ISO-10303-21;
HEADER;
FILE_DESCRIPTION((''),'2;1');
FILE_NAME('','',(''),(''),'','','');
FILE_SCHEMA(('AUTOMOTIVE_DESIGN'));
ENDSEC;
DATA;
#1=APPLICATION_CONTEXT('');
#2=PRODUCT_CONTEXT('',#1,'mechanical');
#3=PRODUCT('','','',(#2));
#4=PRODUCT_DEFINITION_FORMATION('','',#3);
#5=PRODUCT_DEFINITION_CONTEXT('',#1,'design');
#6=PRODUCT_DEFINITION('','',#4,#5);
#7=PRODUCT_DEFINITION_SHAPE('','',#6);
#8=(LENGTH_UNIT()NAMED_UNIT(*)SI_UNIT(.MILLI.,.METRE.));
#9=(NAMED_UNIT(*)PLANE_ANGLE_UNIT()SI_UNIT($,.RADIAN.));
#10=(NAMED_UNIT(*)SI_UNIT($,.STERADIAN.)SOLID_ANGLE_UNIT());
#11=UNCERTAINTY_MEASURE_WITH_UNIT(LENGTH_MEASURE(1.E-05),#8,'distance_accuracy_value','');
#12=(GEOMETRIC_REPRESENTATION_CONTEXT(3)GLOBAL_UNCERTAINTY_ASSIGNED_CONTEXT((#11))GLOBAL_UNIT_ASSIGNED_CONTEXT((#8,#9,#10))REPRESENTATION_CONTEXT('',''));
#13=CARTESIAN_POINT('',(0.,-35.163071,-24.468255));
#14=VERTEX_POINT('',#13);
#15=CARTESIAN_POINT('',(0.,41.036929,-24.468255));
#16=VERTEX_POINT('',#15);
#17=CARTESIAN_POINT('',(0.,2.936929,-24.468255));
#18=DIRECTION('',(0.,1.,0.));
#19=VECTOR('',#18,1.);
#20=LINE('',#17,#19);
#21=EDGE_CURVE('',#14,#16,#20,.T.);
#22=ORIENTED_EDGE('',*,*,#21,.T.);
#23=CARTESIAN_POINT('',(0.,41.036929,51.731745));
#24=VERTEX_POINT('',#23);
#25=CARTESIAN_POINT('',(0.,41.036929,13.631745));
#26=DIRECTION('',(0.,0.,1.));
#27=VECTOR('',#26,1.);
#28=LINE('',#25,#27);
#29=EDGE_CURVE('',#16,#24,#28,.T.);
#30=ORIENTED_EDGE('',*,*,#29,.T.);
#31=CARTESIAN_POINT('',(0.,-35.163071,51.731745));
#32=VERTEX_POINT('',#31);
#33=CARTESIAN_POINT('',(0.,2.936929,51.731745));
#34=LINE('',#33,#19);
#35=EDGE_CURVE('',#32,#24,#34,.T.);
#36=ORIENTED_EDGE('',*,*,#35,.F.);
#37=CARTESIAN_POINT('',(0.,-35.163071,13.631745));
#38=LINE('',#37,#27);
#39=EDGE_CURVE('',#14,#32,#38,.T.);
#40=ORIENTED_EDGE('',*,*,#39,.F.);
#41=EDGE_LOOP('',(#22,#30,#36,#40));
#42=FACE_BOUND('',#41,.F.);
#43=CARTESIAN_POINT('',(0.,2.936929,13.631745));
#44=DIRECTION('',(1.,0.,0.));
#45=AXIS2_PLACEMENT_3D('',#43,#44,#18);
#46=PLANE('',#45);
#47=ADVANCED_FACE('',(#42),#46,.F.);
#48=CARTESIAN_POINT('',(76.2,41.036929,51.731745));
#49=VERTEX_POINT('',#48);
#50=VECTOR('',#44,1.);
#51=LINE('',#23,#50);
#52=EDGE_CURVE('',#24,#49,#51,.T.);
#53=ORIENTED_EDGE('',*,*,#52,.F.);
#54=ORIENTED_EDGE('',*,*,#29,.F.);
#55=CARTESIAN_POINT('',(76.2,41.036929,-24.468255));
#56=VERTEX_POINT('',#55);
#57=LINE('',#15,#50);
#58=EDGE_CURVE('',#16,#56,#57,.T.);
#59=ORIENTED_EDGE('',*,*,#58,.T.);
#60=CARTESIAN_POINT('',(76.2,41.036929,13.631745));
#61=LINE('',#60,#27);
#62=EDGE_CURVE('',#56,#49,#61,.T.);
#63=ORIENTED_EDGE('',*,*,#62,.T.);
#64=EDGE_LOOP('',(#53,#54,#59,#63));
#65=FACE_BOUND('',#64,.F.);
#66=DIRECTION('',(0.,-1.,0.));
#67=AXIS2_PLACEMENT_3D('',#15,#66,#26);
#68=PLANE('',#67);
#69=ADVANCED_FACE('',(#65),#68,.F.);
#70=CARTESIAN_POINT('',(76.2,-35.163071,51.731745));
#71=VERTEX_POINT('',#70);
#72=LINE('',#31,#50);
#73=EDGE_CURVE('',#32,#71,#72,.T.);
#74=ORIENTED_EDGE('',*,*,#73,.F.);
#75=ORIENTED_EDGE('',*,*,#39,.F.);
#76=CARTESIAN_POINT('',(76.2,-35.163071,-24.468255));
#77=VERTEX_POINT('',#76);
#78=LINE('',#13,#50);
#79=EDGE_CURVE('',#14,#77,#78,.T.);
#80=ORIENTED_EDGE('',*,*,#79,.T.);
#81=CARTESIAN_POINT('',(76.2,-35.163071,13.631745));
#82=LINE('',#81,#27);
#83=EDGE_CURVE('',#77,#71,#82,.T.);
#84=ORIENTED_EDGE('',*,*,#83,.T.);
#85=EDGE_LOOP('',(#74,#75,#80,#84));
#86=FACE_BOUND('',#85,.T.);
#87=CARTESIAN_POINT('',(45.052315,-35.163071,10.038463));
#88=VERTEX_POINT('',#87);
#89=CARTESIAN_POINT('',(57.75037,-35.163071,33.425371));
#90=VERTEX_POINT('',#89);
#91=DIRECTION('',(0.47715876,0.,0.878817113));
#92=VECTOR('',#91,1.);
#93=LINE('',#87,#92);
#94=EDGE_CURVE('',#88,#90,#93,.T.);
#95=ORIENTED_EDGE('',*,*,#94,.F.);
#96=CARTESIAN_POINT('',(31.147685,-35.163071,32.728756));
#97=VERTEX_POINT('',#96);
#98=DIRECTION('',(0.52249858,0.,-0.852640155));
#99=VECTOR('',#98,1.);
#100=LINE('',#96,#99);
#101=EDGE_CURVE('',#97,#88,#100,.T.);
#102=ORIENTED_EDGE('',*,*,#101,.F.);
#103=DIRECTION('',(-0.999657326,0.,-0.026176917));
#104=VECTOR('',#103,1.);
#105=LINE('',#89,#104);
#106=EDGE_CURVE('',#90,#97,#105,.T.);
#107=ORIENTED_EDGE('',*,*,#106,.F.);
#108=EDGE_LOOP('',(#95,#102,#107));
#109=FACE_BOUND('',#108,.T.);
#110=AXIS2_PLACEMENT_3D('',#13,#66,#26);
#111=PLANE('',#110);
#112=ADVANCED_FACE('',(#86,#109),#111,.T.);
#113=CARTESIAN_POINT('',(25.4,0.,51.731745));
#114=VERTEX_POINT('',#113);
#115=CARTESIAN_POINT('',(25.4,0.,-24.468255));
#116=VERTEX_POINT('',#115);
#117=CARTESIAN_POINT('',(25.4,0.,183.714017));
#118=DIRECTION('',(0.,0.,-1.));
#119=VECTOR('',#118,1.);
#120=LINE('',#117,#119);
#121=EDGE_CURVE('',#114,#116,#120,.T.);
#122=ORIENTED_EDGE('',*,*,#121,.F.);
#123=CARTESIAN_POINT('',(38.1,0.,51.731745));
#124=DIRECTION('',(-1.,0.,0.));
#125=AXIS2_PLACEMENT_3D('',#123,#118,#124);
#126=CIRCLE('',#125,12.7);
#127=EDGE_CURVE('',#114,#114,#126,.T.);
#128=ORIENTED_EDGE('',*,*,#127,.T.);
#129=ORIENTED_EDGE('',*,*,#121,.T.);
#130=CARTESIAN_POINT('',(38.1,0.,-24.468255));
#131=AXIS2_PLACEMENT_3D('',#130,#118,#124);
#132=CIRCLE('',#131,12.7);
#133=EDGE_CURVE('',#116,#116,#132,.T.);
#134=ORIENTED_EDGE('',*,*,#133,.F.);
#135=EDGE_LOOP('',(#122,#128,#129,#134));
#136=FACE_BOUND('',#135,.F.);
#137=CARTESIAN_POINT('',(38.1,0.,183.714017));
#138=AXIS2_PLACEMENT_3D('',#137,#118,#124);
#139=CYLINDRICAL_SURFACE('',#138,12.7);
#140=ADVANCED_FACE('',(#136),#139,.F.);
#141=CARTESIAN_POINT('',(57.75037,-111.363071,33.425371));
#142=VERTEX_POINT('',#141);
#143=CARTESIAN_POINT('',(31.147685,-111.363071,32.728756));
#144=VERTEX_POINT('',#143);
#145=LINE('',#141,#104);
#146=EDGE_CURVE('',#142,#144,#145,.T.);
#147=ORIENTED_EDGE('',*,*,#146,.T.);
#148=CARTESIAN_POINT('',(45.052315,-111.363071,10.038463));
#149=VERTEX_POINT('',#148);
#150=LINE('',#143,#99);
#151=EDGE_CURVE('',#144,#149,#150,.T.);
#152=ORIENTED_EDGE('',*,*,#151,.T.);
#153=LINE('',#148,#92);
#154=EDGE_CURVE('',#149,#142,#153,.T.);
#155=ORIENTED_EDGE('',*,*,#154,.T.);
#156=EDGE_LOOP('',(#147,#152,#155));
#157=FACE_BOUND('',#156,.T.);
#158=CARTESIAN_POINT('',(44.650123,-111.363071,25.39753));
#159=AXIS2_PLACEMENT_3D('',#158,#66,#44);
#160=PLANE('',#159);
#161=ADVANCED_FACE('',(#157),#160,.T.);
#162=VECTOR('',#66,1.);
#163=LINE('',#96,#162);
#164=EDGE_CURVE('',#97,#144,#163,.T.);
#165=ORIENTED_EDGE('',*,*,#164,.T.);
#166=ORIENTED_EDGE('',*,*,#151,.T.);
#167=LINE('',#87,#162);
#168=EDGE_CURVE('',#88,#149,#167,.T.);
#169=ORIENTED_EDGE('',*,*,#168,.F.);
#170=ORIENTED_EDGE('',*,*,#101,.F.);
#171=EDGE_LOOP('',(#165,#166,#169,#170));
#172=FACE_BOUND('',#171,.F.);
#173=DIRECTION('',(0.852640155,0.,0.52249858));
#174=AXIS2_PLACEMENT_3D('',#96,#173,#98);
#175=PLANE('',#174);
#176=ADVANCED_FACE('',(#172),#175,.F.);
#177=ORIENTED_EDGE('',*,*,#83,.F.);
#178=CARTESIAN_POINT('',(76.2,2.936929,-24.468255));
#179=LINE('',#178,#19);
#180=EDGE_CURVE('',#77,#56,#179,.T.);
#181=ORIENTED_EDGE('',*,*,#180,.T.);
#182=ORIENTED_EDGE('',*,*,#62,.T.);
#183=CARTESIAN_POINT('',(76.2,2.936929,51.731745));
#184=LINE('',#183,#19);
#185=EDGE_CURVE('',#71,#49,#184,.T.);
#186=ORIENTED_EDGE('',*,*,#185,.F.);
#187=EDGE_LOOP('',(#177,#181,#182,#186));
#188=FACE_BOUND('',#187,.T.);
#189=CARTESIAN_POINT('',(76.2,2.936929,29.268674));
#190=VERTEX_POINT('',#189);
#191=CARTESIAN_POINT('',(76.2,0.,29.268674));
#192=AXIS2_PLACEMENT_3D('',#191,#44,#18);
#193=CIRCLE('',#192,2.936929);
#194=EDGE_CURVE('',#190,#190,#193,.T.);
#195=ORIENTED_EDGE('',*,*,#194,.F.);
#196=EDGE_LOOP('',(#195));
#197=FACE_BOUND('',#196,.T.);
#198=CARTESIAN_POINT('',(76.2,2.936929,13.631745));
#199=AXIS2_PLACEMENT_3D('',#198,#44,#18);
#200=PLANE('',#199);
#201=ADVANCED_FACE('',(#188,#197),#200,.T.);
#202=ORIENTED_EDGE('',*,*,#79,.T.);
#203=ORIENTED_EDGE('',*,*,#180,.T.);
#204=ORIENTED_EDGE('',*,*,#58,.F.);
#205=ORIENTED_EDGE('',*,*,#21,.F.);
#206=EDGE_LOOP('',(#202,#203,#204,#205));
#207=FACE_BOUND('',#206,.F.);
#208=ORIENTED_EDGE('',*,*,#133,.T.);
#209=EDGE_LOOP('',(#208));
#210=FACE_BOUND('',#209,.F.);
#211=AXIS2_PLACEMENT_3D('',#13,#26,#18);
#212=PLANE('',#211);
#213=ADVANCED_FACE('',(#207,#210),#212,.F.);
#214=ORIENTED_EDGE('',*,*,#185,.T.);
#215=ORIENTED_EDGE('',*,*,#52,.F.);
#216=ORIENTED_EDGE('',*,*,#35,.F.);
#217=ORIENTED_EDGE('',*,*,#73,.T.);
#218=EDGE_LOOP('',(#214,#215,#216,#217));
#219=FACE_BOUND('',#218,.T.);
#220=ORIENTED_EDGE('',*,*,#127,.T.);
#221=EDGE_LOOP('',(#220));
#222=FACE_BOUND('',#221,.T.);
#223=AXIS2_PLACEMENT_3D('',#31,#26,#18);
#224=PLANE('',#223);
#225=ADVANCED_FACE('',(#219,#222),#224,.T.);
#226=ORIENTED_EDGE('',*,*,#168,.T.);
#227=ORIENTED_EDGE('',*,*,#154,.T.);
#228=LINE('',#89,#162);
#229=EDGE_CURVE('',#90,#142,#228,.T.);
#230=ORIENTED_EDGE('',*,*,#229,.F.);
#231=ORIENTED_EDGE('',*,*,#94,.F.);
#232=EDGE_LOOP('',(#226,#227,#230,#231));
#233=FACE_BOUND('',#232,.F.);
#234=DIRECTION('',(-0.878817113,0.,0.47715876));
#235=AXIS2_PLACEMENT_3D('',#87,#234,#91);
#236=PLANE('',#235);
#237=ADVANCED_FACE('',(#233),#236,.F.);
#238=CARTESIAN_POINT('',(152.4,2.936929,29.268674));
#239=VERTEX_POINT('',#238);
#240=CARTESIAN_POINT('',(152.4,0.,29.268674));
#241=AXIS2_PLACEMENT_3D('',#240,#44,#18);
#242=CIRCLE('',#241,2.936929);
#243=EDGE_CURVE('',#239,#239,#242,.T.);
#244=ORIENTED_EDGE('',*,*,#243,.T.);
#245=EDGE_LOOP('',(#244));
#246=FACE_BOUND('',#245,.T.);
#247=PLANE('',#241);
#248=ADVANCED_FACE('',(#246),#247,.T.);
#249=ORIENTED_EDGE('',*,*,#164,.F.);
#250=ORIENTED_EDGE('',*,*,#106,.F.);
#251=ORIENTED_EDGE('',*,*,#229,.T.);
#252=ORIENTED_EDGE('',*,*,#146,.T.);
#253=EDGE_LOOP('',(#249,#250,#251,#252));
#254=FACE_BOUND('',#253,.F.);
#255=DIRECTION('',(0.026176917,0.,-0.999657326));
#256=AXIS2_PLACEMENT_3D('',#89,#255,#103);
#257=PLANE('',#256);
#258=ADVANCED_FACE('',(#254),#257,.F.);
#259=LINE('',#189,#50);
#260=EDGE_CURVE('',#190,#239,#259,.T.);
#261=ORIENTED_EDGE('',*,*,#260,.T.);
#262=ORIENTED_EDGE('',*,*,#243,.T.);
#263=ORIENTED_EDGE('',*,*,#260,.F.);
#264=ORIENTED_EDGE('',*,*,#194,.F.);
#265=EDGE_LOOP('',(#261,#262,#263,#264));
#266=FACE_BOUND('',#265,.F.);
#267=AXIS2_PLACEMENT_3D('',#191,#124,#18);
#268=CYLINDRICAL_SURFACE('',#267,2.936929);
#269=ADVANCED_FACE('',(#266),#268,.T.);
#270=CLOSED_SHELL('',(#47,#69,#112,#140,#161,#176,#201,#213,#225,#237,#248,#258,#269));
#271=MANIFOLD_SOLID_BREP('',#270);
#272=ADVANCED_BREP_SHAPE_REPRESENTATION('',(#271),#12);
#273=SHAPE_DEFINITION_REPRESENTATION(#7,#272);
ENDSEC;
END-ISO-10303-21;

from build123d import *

# Parameters (mm, degrees)
F0_W     = 76.2
F0_H     = 76.2
F1_DEPTH = 76.2
F3_D     = 25.4
F5_DEPTH = 76.2
F6_R     = 2.936929
F7_DEPTH = 76.2


with BuildPart() as f1:
    # F0 (on Right) → F1 (new body)
    with BuildSketch(Plane.YZ):
        with Locations((2.936929, 13.631745)):
            Rectangle(F0_W, F0_H)
    extrude(amount=F1_DEPTH)

    # F3 (through all)
    with Locations(Plane.XY.offset(51.731745)):
        with Locations((38.1, 0)):
            Hole(F3_D / 2)

    # F4 (on face) → F5 (join)
    with BuildSketch(Plane.XZ.offset(35.163071)):
        Polygon((31.147685, 32.728756), (45.052315, 10.038463), (57.75037, 33.425371), align=None)
    extrude(amount=F5_DEPTH)

    # F6 (on face) → F7 (join)
    with BuildSketch(Plane.YZ.offset(76.2)):
        with Locations((0, 29.268674)):
            Circle(F6_R)
    extrude(amount=F7_DEPTH)


solid = f1.part
